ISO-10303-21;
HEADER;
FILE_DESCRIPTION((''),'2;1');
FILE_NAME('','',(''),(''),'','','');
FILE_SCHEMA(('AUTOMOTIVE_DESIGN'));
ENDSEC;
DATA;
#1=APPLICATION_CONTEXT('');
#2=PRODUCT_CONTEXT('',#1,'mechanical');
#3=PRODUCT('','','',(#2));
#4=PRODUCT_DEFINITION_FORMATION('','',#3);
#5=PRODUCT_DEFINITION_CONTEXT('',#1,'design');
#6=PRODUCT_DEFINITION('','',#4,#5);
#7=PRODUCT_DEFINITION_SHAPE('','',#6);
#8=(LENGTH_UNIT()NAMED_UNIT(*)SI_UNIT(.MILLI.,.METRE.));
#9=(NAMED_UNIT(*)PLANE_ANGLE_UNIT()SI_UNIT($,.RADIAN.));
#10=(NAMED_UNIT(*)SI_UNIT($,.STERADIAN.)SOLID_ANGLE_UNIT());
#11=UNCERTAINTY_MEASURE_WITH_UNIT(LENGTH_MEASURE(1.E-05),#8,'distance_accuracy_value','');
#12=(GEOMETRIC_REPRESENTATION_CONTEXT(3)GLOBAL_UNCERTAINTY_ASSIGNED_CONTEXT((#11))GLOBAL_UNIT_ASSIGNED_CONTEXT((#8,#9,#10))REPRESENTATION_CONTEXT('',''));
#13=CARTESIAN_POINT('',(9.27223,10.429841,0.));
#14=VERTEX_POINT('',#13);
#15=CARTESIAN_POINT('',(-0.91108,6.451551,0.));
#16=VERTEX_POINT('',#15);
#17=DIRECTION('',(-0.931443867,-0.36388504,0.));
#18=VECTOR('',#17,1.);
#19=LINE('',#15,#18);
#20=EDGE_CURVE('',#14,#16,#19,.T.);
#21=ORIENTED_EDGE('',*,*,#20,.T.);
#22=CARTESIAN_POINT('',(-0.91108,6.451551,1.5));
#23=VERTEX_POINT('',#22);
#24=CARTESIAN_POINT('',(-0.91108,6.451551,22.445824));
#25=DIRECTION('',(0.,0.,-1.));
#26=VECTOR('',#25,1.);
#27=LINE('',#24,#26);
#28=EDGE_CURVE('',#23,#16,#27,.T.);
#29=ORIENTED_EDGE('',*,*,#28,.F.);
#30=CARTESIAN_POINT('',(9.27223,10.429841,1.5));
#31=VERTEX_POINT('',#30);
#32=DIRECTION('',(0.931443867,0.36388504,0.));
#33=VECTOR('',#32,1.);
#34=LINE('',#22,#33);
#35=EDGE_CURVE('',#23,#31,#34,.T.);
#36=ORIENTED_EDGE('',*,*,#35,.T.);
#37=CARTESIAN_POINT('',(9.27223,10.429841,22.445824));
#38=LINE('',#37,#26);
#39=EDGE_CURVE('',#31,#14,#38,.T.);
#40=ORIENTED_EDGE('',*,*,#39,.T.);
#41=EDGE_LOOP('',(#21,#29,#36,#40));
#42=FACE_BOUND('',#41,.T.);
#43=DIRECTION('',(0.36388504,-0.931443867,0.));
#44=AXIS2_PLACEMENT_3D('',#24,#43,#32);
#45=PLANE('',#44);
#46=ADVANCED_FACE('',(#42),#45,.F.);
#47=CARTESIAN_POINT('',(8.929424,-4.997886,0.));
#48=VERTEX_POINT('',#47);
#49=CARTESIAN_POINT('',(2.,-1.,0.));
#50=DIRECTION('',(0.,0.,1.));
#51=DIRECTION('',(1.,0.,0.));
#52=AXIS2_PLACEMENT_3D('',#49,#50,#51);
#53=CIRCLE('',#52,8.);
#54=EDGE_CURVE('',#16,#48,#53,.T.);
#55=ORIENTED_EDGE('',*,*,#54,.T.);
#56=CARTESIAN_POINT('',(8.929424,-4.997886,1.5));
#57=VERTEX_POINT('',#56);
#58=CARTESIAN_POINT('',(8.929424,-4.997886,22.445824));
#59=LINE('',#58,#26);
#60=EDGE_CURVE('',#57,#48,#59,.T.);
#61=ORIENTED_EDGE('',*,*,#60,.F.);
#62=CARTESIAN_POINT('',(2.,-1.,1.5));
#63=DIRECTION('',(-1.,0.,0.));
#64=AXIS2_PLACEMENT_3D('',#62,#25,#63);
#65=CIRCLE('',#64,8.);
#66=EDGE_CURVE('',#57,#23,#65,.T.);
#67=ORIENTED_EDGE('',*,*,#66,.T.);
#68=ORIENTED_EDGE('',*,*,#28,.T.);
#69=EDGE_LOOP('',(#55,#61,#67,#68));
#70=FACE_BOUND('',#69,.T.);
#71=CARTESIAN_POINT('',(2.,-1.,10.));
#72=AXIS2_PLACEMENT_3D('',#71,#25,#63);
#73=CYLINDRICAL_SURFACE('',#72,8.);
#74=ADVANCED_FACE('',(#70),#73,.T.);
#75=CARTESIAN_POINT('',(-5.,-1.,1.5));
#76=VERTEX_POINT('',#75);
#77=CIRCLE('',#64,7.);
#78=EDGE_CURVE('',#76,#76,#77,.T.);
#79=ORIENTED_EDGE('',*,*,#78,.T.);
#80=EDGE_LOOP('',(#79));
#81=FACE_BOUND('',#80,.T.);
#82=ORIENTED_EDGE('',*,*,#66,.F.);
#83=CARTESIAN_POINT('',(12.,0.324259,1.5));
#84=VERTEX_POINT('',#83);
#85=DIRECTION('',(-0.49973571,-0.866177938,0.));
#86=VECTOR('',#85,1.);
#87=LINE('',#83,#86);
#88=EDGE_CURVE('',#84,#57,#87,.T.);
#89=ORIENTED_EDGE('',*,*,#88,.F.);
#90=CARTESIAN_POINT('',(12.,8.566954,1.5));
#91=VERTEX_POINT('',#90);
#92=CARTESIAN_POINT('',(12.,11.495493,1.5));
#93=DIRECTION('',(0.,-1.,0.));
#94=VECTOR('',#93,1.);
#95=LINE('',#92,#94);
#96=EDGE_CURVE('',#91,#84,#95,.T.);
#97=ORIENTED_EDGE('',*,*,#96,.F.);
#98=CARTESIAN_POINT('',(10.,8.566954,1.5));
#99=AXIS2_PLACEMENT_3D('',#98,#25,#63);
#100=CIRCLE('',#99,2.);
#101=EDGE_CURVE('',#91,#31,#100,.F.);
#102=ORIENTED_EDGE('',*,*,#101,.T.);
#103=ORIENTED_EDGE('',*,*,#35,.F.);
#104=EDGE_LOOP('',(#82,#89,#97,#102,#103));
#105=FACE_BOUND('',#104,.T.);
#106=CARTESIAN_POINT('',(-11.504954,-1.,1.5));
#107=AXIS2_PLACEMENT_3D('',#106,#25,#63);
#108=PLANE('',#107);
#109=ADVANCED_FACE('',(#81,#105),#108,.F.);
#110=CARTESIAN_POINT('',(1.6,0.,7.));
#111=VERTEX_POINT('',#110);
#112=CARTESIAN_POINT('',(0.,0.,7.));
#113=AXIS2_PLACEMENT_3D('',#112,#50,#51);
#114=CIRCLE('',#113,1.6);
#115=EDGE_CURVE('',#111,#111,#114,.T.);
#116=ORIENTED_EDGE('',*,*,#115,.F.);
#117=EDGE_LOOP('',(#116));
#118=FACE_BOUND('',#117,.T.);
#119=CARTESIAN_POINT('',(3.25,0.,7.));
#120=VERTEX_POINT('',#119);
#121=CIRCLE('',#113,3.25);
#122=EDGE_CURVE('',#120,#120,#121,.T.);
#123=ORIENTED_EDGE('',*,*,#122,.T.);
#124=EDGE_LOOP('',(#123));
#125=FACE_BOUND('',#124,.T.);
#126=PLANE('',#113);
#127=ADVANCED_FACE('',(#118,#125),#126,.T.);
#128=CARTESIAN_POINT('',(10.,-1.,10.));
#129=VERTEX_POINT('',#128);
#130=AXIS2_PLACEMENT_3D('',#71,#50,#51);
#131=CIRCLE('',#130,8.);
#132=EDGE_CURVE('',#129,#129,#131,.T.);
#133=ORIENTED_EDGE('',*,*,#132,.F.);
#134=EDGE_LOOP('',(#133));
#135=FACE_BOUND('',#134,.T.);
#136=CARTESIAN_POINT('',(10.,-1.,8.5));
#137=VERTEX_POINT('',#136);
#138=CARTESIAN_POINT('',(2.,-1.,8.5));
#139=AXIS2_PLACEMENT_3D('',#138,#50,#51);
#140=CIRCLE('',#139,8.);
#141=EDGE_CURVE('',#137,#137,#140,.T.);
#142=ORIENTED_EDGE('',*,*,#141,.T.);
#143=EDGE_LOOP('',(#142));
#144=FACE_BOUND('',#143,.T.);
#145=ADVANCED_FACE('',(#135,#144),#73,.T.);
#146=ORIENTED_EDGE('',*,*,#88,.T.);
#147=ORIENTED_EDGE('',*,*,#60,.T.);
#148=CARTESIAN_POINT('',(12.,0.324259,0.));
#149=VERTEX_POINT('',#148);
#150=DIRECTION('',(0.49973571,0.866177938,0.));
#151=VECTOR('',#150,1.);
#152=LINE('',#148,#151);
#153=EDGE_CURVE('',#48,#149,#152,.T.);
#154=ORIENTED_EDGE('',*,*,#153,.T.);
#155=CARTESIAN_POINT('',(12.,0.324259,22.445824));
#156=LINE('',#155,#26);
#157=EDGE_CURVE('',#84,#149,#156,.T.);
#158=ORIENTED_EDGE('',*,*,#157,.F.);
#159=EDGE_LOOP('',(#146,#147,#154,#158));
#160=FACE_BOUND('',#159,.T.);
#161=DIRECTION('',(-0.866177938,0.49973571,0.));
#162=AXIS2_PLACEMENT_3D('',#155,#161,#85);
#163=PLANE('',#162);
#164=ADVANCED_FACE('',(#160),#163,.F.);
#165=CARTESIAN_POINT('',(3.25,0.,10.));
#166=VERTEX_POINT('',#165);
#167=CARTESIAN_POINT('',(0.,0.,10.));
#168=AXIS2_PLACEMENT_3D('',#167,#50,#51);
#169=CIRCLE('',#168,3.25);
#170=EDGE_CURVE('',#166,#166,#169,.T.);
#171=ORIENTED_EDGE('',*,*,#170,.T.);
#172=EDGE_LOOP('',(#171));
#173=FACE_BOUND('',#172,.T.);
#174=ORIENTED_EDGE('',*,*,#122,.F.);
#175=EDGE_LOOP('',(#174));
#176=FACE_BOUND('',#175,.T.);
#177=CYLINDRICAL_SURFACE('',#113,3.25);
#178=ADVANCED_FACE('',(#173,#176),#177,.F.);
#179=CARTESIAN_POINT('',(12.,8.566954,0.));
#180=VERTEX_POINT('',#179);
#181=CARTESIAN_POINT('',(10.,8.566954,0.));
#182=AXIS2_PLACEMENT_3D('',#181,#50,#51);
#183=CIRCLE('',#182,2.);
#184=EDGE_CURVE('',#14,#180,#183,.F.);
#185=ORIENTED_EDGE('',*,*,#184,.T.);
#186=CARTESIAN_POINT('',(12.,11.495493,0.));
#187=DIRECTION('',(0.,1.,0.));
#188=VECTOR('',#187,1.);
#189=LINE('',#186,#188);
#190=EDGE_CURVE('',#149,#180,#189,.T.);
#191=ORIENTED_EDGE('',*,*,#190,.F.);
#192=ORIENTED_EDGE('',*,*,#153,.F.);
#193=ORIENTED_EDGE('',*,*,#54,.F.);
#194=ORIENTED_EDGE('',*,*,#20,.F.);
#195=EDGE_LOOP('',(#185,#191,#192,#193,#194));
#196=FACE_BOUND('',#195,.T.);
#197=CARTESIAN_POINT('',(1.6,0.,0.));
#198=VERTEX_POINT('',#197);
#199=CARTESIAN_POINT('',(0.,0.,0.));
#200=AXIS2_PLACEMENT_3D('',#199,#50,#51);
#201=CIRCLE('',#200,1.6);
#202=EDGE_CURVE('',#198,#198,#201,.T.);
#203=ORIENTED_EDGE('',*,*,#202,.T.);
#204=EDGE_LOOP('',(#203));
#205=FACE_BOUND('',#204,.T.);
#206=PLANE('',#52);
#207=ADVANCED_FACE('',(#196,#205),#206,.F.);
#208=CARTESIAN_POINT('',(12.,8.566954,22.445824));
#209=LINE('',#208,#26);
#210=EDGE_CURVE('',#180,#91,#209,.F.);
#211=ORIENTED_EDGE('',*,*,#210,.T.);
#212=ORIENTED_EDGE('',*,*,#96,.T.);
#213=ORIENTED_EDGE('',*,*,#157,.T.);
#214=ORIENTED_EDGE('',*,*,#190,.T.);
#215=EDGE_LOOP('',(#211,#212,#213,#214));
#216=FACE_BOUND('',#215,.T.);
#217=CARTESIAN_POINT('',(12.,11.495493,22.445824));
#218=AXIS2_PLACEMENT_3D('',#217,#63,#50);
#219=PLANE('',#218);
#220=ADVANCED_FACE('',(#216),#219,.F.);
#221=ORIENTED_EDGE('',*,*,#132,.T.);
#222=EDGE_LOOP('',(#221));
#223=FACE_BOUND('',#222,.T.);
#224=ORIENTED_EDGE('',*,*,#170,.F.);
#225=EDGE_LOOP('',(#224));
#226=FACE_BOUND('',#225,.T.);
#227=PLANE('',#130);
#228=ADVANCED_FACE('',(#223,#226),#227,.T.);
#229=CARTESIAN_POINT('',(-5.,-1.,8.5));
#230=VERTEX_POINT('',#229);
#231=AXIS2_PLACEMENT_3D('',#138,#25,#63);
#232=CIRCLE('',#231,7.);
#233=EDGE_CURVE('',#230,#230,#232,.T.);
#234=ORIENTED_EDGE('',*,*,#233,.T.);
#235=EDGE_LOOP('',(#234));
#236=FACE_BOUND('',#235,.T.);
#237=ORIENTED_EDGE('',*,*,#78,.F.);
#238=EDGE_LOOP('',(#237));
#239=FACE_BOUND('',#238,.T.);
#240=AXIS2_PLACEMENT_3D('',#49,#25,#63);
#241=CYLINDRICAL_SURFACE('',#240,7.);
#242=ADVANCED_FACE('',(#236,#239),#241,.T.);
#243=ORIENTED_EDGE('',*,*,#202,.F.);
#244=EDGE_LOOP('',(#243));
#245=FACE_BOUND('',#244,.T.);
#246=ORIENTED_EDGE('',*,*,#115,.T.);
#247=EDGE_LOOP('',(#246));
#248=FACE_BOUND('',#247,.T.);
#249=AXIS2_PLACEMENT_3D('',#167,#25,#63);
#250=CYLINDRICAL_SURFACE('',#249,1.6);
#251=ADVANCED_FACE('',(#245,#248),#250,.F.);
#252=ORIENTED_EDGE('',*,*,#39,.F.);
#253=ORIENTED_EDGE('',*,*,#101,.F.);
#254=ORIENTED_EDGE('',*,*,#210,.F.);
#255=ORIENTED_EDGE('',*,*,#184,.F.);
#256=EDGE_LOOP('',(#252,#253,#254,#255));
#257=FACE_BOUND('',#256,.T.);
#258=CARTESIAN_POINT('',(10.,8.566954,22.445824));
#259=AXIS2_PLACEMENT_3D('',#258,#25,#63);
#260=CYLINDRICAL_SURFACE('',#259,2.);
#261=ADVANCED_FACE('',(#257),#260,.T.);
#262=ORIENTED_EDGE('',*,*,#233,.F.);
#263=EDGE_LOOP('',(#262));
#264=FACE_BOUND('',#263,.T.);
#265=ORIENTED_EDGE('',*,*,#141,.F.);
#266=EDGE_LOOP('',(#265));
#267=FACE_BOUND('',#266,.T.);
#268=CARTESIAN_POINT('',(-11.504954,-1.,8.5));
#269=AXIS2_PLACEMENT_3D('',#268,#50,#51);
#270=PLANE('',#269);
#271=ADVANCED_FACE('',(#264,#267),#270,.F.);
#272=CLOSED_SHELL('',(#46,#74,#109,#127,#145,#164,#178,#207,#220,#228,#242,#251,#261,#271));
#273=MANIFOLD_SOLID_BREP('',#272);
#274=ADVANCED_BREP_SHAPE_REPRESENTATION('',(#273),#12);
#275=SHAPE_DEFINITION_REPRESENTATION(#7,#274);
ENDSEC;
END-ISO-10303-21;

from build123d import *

# Parameters (mm, degrees)
SKETCH1_R           = 8
SKETCH1_R_2         = 1.6
BOSS_EXTRUDE1_DEPTH = 10
SKETCH2_R           = 3.25
CUT_EXTRUDE1_DEPTH  = 3
SKETCH3_W           = 6.504954041
SKETCH3_H           = 7
BOSS_EXTRUDE2_DEPTH = 1.5
FILLET1_R           = 2


with BuildPart() as part:
    # Sketch1 → Boss-Extrude1 (new body)
    with BuildSketch(Plane.XY):
        with Locations((2, -1)):
            Circle(SKETCH1_R)
        Circle(SKETCH1_R_2, mode=Mode.SUBTRACT)
    extrude(amount=BOSS_EXTRUDE1_DEPTH)

    # Sketch2 → Cut-Extrude1 (cut)
    with BuildSketch(Plane.XY.offset(10)):
        Circle(SKETCH2_R)
    extrude(amount=-CUT_EXTRUDE1_DEPTH, mode=Mode.SUBTRACT)

    # Sketch3 → Cut-Revolve1 (revolve, cut)
    with BuildSketch(Plane(origin=(0, -1, 0), x_dir=(1, 0, 0), z_dir=(0, 1, 0))):
        with Locations((-8.252477021, -5)):
            Rectangle(SKETCH3_W, SKETCH3_H)
    revolve(axis=Axis((2, -1, 0), (0, 0, 1)), mode=Mode.SUBTRACT)

    # Sketch4 → Boss-Extrude2 (add)
    with BuildSketch(Plane.XY):
        with BuildLine():
            Line((-0.911080318, 6.451550938), (12, 11.49549308))
            Line((12, 11.49549308), (12, 0.324258737))
            Line((12, 0.324258737), (8.929423504, -4.997885679))
            ThreePointArc((8.929423504, -4.997885679), (8.06705614, 4.214482697), (-0.911080318, 6.451550938))
        make_face()
    extrude(amount=BOSS_EXTRUDE2_DEPTH)

    # Fillet1
    fillet1_edges = [part.edges().sort_by_distance(p)[0] for p in [
        (12, 11.49549308, 0.75),
    ]]
    fillet(fillet1_edges, radius=FILLET1_R)


solid = part.part
